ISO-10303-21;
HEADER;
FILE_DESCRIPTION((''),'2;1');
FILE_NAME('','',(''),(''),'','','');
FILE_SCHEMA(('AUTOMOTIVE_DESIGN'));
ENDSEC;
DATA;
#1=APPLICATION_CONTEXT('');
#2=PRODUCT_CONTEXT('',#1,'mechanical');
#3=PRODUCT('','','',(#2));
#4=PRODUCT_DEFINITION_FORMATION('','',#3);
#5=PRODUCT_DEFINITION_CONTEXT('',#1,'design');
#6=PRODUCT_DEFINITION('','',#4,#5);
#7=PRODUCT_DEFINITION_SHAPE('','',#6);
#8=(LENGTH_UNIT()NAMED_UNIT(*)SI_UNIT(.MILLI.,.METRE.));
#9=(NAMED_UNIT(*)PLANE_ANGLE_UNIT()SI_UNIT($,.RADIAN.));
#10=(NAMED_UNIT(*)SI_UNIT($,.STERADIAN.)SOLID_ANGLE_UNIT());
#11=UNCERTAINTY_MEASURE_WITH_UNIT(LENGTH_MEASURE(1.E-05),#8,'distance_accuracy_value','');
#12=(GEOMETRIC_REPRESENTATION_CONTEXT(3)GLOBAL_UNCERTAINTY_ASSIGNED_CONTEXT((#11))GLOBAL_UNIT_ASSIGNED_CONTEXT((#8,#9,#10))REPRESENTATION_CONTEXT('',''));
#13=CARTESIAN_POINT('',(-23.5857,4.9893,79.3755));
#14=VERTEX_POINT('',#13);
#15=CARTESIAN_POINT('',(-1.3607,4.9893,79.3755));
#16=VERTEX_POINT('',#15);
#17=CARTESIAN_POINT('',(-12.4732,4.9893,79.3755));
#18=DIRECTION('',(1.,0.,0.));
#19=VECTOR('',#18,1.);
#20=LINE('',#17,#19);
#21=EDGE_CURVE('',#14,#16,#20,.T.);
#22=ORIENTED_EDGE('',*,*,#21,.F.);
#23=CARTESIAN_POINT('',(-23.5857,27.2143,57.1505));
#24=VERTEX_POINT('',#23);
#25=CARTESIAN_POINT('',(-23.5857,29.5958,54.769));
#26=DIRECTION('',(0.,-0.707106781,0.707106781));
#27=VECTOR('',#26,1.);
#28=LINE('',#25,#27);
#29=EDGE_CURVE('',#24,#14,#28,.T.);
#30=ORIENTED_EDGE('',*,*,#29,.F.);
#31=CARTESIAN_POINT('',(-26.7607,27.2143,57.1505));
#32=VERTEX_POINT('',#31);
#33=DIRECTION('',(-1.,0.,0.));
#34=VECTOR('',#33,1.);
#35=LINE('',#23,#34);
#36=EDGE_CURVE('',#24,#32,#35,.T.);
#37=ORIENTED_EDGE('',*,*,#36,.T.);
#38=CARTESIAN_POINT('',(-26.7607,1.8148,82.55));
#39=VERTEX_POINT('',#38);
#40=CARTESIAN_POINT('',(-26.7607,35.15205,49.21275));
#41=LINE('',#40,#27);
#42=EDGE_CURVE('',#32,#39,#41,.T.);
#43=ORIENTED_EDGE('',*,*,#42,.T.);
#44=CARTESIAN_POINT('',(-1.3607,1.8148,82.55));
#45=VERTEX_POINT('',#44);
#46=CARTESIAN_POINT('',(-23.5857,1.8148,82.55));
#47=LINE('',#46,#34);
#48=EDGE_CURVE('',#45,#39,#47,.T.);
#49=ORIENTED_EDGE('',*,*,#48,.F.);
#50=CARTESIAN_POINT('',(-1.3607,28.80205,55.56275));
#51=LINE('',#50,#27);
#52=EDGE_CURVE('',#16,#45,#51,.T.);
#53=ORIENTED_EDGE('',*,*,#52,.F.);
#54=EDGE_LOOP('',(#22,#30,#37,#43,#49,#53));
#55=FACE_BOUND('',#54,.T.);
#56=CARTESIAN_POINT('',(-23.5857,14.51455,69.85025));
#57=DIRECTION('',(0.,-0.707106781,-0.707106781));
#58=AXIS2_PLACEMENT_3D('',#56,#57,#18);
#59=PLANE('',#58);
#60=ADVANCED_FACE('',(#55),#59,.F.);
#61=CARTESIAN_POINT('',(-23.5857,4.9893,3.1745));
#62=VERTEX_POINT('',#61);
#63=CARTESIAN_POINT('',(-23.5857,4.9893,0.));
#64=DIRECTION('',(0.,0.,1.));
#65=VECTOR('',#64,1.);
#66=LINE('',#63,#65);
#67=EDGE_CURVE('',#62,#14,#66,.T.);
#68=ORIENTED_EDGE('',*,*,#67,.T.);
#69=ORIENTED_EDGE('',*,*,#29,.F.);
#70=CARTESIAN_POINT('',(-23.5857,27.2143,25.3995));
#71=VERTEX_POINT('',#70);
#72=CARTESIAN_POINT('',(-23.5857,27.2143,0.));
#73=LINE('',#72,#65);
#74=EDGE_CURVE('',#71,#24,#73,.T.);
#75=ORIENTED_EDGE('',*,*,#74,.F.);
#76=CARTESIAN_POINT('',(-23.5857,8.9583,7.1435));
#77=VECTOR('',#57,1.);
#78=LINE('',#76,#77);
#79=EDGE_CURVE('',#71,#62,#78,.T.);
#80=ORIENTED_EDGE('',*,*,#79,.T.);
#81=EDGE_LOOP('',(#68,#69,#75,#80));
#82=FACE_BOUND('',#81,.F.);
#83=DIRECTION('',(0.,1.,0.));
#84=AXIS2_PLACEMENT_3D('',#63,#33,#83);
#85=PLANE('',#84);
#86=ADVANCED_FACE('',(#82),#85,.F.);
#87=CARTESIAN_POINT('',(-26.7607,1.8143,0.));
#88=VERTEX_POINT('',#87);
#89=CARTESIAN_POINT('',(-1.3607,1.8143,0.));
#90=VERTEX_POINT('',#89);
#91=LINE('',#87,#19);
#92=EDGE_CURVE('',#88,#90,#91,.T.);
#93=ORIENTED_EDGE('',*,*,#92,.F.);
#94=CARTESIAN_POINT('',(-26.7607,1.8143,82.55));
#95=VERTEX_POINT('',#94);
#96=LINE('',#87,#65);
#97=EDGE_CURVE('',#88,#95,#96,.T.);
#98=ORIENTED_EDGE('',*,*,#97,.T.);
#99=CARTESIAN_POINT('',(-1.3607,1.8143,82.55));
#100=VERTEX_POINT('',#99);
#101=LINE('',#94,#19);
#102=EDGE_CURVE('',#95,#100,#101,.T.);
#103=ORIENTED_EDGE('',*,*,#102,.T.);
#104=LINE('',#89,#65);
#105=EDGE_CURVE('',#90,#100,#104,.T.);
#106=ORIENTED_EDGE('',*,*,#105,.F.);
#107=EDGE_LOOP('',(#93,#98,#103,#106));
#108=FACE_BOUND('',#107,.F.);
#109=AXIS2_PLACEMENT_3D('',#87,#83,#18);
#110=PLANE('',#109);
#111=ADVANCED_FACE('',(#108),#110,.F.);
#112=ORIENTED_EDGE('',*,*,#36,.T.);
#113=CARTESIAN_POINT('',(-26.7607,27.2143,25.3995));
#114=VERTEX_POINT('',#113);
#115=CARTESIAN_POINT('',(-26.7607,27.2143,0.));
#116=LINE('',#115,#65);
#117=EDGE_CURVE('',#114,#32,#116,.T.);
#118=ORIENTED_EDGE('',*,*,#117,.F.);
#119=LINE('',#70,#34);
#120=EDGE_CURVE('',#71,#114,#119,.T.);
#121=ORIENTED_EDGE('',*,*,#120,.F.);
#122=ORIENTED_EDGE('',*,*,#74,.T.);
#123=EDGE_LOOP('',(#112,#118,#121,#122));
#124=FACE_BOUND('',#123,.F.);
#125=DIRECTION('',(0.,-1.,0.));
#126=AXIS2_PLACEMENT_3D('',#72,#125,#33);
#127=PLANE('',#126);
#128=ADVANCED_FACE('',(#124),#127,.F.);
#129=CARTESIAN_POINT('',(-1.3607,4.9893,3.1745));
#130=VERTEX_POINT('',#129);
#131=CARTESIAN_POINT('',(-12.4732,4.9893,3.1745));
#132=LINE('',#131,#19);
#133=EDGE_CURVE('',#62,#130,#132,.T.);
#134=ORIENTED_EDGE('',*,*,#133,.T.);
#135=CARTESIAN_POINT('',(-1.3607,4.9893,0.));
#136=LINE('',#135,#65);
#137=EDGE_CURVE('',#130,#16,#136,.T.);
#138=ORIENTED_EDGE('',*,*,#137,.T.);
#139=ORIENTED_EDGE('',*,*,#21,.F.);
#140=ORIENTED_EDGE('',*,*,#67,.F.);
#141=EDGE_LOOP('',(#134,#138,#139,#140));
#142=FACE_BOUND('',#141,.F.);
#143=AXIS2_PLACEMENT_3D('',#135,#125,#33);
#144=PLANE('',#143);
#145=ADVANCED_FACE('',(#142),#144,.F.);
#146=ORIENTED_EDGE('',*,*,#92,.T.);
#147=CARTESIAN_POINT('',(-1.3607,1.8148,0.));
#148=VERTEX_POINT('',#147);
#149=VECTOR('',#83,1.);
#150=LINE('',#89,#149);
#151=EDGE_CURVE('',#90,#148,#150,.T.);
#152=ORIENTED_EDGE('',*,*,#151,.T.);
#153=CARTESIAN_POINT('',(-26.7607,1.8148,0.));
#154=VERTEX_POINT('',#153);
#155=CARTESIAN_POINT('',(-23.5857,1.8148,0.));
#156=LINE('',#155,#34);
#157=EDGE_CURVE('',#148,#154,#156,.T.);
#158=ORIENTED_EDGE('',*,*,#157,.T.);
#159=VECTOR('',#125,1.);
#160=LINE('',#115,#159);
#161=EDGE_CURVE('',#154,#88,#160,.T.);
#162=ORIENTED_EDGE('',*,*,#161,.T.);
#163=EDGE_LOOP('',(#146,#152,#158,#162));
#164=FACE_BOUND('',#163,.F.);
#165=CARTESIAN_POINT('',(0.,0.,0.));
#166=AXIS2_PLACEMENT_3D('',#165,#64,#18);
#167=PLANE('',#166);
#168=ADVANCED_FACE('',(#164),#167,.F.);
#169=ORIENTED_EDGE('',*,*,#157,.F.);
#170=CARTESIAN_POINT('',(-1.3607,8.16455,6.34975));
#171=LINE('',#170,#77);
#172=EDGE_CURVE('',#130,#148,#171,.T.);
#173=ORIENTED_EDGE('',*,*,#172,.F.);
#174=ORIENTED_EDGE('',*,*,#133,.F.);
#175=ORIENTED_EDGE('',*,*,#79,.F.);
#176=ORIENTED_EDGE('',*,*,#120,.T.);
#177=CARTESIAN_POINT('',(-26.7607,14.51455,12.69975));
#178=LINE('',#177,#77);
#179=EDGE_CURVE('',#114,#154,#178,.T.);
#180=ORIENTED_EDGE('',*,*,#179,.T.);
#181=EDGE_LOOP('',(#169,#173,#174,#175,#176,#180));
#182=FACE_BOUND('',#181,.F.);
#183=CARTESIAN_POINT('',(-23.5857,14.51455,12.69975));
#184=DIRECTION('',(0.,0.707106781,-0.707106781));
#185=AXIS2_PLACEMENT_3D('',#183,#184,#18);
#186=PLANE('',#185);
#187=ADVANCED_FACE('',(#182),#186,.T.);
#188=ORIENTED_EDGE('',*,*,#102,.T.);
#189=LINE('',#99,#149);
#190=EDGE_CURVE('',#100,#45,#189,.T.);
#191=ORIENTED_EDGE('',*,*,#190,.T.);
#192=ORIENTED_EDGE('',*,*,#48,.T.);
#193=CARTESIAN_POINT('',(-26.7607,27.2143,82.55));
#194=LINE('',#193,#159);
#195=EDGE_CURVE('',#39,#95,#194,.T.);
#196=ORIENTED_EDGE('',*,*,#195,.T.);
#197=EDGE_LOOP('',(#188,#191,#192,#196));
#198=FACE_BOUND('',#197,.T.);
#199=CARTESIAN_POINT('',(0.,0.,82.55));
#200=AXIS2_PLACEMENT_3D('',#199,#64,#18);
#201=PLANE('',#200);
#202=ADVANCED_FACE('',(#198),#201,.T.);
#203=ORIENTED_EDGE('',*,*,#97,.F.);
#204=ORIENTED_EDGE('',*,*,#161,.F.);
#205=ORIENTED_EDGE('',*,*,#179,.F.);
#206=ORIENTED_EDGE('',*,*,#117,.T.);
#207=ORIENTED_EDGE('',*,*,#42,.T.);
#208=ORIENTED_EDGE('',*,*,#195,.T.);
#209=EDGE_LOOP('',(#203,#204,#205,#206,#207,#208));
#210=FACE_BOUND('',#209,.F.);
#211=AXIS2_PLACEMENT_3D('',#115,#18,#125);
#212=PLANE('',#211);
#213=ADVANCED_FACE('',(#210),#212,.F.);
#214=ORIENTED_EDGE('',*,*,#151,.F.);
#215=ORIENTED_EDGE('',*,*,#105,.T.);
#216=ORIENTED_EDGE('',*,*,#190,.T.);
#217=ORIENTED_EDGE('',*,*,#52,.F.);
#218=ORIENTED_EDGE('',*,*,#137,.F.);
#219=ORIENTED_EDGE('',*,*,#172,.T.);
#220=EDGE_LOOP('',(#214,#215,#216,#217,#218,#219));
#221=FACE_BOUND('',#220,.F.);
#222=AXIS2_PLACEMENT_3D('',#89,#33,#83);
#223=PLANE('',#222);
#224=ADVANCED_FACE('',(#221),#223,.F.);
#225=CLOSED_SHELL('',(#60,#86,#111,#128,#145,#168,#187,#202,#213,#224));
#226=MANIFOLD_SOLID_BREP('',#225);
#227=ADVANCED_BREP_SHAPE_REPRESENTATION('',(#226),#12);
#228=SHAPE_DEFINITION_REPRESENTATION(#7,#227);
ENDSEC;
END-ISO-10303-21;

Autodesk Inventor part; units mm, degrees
ref_plane "YZ Plane" through (0, 0, 0) normal (1, 0, 0) x (0, 1, 0)
ref_plane "XZ Plane" through (0, 0, 0) normal (0, 1, 0) x (-1, 0, 0)
ref_plane "XY Plane" through (0, 0, 0) normal (0, 0, 1) x (1, 0, 0)
sketch "Sketch1" plane through (0, 0, 0) normal (0, 0, 1) x (1, 0, 0)
  line L0 (-26.7607, 27.2143) -> (-26.7607, 1.8143)
  line L1 (-26.7607, 1.8143) -> (-1.3607, 1.8143)
  line L2 (-1.3607, 1.8143) -> (-1.3607, 4.9893)
  line L3 (-1.3607, 4.9893) -> (-23.5857, 4.9893)
  line L4 (-23.5857, 4.9893) -> (-23.5857, 27.2143)
  line L5 (-23.5857, 27.2143) -> (-26.7607, 27.2143)
  dimension "d0" = 25.4
  dimension "d1" = 3.175
extrude "Extrusion1" add sketch "Sketch1" along normal blind 82.55
chamfer "Chamfer1" distance 25.4 angle 45 2 edges at (-25.1732, 27.2143, 82.55) (-25.1732, 27.2143, 0)
properties part number "FE-00014-05"
